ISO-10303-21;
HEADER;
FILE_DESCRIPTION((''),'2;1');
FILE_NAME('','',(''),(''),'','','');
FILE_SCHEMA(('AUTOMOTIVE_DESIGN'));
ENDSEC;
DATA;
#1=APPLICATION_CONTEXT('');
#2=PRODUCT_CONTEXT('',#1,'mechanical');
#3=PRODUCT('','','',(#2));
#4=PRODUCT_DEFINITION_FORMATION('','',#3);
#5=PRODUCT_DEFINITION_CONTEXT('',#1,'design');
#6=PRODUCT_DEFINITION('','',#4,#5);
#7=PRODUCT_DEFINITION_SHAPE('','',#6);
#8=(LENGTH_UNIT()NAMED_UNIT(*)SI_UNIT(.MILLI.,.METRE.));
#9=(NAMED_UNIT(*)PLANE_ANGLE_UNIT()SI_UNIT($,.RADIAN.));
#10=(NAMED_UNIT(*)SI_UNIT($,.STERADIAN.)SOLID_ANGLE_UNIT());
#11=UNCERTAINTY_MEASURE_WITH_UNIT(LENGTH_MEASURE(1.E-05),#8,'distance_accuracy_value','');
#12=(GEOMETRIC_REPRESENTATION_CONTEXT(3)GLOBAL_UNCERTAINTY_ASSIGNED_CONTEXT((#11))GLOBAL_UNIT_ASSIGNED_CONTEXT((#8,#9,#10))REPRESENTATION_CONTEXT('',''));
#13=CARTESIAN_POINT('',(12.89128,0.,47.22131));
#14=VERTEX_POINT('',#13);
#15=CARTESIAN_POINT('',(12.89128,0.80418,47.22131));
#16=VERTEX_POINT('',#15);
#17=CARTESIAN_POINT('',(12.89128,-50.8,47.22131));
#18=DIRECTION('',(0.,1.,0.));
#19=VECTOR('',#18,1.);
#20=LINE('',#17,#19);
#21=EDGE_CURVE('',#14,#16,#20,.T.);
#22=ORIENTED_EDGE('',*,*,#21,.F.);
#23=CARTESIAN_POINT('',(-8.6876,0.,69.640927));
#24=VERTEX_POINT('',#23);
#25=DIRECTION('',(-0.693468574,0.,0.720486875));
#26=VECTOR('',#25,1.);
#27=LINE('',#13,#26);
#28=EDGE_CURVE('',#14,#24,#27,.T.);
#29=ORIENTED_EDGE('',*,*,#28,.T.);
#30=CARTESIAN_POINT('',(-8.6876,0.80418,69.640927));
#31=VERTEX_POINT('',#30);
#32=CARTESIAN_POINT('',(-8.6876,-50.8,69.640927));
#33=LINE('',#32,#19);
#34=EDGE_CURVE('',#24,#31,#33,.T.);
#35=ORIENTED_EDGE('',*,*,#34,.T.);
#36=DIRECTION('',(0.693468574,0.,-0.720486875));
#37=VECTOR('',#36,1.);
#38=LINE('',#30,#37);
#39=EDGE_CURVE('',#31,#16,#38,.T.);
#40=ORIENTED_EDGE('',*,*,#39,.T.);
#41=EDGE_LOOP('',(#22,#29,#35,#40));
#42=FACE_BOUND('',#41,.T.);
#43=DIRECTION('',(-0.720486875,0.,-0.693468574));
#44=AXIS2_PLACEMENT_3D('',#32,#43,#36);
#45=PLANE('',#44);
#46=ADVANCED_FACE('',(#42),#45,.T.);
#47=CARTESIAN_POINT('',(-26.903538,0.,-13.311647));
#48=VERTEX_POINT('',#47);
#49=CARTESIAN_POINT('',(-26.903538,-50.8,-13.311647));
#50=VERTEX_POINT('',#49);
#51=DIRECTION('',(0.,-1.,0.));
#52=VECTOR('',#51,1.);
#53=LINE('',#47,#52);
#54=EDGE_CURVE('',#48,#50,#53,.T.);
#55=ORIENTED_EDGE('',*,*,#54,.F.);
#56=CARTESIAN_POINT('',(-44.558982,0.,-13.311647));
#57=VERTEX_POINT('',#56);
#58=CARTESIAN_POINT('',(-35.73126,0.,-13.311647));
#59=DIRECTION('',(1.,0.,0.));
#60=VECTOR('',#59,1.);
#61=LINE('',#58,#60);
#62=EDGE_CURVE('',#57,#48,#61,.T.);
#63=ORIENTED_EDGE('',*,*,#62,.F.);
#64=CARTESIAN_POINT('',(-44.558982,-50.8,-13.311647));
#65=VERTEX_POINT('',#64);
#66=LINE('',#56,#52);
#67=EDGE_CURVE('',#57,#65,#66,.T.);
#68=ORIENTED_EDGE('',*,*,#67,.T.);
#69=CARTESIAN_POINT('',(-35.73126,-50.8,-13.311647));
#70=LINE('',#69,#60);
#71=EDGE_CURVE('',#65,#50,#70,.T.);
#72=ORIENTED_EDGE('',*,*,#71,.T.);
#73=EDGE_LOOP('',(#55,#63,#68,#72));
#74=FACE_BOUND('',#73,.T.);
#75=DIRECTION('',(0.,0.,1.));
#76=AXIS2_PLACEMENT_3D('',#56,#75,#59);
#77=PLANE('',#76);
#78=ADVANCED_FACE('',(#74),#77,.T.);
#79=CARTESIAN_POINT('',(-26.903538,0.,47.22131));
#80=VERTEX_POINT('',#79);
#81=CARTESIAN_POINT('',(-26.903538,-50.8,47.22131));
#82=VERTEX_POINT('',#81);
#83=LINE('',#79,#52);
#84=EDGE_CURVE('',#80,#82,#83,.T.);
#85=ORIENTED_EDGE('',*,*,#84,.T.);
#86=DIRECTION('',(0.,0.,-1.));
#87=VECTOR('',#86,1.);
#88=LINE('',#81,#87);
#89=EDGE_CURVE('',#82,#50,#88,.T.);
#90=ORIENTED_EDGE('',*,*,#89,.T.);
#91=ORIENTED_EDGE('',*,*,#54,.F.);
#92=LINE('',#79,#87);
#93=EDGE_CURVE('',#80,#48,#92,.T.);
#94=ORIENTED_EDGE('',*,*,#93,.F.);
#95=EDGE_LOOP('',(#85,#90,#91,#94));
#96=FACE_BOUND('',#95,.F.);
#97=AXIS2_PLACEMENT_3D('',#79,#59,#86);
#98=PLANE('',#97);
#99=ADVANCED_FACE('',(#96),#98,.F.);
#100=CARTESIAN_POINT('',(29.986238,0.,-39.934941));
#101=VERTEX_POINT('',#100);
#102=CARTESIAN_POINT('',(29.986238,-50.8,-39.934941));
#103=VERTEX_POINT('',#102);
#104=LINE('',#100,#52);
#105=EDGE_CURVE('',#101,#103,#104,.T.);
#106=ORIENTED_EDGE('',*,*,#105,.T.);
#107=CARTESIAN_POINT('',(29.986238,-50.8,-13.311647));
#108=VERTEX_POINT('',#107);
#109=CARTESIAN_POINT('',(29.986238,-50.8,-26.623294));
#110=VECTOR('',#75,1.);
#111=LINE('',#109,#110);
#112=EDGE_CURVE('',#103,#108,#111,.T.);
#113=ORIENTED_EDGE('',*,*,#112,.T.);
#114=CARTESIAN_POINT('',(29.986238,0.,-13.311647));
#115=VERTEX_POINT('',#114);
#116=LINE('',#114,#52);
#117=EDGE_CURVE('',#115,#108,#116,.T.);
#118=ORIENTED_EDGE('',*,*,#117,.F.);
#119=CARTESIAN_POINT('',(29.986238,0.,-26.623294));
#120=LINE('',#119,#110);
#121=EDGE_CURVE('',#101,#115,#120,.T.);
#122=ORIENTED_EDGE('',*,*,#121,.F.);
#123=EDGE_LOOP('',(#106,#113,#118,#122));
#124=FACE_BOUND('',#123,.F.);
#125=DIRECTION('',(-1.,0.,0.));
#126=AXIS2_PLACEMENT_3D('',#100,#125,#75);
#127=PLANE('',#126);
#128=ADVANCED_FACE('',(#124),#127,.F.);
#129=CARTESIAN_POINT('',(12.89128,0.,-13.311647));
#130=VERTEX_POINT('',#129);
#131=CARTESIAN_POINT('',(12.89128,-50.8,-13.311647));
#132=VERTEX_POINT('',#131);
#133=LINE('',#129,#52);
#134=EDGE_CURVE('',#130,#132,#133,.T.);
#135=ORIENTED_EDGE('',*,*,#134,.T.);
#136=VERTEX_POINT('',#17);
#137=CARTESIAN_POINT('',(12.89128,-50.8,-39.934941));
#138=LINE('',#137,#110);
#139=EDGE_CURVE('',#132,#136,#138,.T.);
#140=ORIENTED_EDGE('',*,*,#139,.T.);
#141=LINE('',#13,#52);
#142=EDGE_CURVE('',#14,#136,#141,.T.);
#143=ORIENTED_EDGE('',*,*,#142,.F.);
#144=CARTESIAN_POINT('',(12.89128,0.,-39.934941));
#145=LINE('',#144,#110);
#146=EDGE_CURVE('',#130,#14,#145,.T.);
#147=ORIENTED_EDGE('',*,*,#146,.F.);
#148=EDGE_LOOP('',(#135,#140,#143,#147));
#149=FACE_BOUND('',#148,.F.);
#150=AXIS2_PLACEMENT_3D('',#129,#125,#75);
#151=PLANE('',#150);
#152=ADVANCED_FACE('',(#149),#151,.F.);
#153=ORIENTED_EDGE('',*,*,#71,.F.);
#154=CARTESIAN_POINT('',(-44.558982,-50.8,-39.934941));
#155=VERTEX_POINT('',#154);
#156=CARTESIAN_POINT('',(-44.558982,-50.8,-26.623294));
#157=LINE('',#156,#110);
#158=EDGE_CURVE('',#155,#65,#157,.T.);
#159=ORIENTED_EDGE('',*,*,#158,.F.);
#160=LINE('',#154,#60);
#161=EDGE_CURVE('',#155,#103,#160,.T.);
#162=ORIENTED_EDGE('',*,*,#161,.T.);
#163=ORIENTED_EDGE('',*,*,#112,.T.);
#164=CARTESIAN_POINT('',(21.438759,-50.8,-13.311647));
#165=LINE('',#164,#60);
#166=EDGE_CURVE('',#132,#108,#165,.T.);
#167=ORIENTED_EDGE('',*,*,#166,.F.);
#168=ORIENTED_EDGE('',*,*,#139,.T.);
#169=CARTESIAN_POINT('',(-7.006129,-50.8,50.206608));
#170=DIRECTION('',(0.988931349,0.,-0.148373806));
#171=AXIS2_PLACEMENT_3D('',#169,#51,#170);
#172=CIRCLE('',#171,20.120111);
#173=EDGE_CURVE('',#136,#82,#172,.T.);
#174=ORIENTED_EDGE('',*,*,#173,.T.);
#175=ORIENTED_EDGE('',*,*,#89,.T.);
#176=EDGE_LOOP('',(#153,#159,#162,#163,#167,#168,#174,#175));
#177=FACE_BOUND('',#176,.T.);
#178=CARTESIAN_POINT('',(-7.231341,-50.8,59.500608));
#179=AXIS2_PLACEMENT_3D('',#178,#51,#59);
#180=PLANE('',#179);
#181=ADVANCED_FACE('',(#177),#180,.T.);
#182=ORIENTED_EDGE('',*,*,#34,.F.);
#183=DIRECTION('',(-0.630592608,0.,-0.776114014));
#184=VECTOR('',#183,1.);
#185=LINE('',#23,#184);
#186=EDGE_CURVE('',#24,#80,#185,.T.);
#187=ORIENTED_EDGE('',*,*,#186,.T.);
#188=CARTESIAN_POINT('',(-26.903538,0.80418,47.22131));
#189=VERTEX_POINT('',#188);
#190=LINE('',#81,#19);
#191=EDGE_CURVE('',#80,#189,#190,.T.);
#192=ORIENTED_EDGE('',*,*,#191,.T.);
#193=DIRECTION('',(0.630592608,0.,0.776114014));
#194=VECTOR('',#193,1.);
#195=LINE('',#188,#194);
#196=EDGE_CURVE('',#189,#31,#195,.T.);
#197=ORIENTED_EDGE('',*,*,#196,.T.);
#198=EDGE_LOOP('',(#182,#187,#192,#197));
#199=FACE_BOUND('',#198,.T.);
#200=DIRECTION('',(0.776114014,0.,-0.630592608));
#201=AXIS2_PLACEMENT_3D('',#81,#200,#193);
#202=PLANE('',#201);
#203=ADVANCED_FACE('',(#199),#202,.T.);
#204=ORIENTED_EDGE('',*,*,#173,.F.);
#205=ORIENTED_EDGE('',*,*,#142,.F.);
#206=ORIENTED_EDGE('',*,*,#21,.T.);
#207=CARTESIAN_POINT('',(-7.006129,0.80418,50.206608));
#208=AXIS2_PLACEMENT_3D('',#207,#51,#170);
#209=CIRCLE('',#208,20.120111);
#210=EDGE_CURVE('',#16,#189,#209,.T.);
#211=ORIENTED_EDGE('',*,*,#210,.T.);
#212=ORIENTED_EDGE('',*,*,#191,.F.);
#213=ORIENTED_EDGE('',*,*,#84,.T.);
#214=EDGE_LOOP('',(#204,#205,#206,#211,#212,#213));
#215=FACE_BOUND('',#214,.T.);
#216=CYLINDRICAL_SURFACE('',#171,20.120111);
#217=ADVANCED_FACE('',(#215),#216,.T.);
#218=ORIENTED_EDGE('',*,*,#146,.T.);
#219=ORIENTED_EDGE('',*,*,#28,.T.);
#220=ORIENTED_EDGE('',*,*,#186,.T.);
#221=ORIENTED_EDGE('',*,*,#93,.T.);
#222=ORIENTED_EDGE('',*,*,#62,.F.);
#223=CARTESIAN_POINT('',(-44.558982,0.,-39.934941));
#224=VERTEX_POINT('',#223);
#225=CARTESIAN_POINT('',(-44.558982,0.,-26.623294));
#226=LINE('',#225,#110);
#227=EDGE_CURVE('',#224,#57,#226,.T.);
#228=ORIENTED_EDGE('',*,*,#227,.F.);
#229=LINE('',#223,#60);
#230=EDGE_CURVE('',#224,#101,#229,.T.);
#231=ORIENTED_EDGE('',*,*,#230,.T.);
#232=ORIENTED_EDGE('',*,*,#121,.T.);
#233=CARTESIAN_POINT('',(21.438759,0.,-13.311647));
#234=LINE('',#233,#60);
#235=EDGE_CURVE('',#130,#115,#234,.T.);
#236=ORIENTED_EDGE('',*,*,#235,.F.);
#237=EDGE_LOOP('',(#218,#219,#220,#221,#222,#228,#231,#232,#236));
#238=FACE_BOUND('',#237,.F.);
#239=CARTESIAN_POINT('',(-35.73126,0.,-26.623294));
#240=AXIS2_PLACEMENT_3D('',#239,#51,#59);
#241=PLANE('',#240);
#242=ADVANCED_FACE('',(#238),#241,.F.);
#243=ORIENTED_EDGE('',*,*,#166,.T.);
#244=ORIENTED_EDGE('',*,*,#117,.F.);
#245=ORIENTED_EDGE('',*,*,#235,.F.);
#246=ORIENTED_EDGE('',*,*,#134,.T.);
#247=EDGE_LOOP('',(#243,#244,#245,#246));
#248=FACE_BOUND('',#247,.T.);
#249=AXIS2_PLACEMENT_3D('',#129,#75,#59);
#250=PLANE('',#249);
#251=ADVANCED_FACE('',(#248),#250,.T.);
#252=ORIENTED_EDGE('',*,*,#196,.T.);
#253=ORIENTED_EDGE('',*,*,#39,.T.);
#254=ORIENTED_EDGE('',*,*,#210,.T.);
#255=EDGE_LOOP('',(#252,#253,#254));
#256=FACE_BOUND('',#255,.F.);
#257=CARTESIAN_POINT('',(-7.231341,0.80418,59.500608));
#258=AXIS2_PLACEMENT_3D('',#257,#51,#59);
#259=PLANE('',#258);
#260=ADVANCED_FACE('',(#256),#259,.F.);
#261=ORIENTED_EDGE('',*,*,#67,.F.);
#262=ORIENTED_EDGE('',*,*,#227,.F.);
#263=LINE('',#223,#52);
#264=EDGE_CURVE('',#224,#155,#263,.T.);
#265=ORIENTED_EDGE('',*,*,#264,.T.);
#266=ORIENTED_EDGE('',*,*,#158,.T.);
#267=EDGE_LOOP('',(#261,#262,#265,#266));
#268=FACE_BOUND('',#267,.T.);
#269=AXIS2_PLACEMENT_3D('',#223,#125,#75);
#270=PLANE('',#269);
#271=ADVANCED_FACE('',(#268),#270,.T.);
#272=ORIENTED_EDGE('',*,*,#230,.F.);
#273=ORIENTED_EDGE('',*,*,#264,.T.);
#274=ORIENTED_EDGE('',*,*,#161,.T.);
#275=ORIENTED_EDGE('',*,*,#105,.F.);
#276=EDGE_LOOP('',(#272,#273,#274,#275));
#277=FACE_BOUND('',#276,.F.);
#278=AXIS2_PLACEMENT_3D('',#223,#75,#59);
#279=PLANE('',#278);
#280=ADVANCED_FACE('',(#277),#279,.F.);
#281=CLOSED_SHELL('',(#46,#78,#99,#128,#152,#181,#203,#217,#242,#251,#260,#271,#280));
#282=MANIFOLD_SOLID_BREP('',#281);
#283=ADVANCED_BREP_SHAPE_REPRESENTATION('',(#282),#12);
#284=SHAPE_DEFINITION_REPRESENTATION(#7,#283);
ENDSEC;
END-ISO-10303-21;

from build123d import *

# Parameters (mm, degrees)
F0_W     = 17.655445
F0_H     = 26.623294
F0_W_2   = 17.094958
F1_DEPTH = 50.8
F3_DEPTH = 51.60418


with BuildPart() as f1:
    # F0 (on Front) → F1 (new body)
    with BuildSketch(Plane.XZ):
        with Locations((-35.73126, -26.623294)):
            Rectangle(F0_W, F0_H)
        Polygon((-26.903538, 47.22131), (-26.903538, -13.311647), (-26.903538, -39.934941), (12.89128, -39.934941), (12.89128, -13.311647), (12.89128, 47.22131), (-8.6876, 69.640927), align=None)
        with Locations((21.438759, -26.623294)):
            Rectangle(F0_W_2, F0_H)
    extrude(amount=F1_DEPTH)

    # F2 (on face) → F3 (join)
    with BuildSketch(Plane.XZ.offset(50.8)):
        with BuildLine():
            Line((-8.6876, 69.640927), (12.89128, 47.22131))
            ThreePointArc((12.89128, 47.22131), (-7.006129, 70.326719), (-26.903538, 47.22131))
            Line((-26.903538, 47.22131), (-8.6876, 69.640927))
        make_face()
    extrude(amount=-F3_DEPTH)


solid = f1.part
